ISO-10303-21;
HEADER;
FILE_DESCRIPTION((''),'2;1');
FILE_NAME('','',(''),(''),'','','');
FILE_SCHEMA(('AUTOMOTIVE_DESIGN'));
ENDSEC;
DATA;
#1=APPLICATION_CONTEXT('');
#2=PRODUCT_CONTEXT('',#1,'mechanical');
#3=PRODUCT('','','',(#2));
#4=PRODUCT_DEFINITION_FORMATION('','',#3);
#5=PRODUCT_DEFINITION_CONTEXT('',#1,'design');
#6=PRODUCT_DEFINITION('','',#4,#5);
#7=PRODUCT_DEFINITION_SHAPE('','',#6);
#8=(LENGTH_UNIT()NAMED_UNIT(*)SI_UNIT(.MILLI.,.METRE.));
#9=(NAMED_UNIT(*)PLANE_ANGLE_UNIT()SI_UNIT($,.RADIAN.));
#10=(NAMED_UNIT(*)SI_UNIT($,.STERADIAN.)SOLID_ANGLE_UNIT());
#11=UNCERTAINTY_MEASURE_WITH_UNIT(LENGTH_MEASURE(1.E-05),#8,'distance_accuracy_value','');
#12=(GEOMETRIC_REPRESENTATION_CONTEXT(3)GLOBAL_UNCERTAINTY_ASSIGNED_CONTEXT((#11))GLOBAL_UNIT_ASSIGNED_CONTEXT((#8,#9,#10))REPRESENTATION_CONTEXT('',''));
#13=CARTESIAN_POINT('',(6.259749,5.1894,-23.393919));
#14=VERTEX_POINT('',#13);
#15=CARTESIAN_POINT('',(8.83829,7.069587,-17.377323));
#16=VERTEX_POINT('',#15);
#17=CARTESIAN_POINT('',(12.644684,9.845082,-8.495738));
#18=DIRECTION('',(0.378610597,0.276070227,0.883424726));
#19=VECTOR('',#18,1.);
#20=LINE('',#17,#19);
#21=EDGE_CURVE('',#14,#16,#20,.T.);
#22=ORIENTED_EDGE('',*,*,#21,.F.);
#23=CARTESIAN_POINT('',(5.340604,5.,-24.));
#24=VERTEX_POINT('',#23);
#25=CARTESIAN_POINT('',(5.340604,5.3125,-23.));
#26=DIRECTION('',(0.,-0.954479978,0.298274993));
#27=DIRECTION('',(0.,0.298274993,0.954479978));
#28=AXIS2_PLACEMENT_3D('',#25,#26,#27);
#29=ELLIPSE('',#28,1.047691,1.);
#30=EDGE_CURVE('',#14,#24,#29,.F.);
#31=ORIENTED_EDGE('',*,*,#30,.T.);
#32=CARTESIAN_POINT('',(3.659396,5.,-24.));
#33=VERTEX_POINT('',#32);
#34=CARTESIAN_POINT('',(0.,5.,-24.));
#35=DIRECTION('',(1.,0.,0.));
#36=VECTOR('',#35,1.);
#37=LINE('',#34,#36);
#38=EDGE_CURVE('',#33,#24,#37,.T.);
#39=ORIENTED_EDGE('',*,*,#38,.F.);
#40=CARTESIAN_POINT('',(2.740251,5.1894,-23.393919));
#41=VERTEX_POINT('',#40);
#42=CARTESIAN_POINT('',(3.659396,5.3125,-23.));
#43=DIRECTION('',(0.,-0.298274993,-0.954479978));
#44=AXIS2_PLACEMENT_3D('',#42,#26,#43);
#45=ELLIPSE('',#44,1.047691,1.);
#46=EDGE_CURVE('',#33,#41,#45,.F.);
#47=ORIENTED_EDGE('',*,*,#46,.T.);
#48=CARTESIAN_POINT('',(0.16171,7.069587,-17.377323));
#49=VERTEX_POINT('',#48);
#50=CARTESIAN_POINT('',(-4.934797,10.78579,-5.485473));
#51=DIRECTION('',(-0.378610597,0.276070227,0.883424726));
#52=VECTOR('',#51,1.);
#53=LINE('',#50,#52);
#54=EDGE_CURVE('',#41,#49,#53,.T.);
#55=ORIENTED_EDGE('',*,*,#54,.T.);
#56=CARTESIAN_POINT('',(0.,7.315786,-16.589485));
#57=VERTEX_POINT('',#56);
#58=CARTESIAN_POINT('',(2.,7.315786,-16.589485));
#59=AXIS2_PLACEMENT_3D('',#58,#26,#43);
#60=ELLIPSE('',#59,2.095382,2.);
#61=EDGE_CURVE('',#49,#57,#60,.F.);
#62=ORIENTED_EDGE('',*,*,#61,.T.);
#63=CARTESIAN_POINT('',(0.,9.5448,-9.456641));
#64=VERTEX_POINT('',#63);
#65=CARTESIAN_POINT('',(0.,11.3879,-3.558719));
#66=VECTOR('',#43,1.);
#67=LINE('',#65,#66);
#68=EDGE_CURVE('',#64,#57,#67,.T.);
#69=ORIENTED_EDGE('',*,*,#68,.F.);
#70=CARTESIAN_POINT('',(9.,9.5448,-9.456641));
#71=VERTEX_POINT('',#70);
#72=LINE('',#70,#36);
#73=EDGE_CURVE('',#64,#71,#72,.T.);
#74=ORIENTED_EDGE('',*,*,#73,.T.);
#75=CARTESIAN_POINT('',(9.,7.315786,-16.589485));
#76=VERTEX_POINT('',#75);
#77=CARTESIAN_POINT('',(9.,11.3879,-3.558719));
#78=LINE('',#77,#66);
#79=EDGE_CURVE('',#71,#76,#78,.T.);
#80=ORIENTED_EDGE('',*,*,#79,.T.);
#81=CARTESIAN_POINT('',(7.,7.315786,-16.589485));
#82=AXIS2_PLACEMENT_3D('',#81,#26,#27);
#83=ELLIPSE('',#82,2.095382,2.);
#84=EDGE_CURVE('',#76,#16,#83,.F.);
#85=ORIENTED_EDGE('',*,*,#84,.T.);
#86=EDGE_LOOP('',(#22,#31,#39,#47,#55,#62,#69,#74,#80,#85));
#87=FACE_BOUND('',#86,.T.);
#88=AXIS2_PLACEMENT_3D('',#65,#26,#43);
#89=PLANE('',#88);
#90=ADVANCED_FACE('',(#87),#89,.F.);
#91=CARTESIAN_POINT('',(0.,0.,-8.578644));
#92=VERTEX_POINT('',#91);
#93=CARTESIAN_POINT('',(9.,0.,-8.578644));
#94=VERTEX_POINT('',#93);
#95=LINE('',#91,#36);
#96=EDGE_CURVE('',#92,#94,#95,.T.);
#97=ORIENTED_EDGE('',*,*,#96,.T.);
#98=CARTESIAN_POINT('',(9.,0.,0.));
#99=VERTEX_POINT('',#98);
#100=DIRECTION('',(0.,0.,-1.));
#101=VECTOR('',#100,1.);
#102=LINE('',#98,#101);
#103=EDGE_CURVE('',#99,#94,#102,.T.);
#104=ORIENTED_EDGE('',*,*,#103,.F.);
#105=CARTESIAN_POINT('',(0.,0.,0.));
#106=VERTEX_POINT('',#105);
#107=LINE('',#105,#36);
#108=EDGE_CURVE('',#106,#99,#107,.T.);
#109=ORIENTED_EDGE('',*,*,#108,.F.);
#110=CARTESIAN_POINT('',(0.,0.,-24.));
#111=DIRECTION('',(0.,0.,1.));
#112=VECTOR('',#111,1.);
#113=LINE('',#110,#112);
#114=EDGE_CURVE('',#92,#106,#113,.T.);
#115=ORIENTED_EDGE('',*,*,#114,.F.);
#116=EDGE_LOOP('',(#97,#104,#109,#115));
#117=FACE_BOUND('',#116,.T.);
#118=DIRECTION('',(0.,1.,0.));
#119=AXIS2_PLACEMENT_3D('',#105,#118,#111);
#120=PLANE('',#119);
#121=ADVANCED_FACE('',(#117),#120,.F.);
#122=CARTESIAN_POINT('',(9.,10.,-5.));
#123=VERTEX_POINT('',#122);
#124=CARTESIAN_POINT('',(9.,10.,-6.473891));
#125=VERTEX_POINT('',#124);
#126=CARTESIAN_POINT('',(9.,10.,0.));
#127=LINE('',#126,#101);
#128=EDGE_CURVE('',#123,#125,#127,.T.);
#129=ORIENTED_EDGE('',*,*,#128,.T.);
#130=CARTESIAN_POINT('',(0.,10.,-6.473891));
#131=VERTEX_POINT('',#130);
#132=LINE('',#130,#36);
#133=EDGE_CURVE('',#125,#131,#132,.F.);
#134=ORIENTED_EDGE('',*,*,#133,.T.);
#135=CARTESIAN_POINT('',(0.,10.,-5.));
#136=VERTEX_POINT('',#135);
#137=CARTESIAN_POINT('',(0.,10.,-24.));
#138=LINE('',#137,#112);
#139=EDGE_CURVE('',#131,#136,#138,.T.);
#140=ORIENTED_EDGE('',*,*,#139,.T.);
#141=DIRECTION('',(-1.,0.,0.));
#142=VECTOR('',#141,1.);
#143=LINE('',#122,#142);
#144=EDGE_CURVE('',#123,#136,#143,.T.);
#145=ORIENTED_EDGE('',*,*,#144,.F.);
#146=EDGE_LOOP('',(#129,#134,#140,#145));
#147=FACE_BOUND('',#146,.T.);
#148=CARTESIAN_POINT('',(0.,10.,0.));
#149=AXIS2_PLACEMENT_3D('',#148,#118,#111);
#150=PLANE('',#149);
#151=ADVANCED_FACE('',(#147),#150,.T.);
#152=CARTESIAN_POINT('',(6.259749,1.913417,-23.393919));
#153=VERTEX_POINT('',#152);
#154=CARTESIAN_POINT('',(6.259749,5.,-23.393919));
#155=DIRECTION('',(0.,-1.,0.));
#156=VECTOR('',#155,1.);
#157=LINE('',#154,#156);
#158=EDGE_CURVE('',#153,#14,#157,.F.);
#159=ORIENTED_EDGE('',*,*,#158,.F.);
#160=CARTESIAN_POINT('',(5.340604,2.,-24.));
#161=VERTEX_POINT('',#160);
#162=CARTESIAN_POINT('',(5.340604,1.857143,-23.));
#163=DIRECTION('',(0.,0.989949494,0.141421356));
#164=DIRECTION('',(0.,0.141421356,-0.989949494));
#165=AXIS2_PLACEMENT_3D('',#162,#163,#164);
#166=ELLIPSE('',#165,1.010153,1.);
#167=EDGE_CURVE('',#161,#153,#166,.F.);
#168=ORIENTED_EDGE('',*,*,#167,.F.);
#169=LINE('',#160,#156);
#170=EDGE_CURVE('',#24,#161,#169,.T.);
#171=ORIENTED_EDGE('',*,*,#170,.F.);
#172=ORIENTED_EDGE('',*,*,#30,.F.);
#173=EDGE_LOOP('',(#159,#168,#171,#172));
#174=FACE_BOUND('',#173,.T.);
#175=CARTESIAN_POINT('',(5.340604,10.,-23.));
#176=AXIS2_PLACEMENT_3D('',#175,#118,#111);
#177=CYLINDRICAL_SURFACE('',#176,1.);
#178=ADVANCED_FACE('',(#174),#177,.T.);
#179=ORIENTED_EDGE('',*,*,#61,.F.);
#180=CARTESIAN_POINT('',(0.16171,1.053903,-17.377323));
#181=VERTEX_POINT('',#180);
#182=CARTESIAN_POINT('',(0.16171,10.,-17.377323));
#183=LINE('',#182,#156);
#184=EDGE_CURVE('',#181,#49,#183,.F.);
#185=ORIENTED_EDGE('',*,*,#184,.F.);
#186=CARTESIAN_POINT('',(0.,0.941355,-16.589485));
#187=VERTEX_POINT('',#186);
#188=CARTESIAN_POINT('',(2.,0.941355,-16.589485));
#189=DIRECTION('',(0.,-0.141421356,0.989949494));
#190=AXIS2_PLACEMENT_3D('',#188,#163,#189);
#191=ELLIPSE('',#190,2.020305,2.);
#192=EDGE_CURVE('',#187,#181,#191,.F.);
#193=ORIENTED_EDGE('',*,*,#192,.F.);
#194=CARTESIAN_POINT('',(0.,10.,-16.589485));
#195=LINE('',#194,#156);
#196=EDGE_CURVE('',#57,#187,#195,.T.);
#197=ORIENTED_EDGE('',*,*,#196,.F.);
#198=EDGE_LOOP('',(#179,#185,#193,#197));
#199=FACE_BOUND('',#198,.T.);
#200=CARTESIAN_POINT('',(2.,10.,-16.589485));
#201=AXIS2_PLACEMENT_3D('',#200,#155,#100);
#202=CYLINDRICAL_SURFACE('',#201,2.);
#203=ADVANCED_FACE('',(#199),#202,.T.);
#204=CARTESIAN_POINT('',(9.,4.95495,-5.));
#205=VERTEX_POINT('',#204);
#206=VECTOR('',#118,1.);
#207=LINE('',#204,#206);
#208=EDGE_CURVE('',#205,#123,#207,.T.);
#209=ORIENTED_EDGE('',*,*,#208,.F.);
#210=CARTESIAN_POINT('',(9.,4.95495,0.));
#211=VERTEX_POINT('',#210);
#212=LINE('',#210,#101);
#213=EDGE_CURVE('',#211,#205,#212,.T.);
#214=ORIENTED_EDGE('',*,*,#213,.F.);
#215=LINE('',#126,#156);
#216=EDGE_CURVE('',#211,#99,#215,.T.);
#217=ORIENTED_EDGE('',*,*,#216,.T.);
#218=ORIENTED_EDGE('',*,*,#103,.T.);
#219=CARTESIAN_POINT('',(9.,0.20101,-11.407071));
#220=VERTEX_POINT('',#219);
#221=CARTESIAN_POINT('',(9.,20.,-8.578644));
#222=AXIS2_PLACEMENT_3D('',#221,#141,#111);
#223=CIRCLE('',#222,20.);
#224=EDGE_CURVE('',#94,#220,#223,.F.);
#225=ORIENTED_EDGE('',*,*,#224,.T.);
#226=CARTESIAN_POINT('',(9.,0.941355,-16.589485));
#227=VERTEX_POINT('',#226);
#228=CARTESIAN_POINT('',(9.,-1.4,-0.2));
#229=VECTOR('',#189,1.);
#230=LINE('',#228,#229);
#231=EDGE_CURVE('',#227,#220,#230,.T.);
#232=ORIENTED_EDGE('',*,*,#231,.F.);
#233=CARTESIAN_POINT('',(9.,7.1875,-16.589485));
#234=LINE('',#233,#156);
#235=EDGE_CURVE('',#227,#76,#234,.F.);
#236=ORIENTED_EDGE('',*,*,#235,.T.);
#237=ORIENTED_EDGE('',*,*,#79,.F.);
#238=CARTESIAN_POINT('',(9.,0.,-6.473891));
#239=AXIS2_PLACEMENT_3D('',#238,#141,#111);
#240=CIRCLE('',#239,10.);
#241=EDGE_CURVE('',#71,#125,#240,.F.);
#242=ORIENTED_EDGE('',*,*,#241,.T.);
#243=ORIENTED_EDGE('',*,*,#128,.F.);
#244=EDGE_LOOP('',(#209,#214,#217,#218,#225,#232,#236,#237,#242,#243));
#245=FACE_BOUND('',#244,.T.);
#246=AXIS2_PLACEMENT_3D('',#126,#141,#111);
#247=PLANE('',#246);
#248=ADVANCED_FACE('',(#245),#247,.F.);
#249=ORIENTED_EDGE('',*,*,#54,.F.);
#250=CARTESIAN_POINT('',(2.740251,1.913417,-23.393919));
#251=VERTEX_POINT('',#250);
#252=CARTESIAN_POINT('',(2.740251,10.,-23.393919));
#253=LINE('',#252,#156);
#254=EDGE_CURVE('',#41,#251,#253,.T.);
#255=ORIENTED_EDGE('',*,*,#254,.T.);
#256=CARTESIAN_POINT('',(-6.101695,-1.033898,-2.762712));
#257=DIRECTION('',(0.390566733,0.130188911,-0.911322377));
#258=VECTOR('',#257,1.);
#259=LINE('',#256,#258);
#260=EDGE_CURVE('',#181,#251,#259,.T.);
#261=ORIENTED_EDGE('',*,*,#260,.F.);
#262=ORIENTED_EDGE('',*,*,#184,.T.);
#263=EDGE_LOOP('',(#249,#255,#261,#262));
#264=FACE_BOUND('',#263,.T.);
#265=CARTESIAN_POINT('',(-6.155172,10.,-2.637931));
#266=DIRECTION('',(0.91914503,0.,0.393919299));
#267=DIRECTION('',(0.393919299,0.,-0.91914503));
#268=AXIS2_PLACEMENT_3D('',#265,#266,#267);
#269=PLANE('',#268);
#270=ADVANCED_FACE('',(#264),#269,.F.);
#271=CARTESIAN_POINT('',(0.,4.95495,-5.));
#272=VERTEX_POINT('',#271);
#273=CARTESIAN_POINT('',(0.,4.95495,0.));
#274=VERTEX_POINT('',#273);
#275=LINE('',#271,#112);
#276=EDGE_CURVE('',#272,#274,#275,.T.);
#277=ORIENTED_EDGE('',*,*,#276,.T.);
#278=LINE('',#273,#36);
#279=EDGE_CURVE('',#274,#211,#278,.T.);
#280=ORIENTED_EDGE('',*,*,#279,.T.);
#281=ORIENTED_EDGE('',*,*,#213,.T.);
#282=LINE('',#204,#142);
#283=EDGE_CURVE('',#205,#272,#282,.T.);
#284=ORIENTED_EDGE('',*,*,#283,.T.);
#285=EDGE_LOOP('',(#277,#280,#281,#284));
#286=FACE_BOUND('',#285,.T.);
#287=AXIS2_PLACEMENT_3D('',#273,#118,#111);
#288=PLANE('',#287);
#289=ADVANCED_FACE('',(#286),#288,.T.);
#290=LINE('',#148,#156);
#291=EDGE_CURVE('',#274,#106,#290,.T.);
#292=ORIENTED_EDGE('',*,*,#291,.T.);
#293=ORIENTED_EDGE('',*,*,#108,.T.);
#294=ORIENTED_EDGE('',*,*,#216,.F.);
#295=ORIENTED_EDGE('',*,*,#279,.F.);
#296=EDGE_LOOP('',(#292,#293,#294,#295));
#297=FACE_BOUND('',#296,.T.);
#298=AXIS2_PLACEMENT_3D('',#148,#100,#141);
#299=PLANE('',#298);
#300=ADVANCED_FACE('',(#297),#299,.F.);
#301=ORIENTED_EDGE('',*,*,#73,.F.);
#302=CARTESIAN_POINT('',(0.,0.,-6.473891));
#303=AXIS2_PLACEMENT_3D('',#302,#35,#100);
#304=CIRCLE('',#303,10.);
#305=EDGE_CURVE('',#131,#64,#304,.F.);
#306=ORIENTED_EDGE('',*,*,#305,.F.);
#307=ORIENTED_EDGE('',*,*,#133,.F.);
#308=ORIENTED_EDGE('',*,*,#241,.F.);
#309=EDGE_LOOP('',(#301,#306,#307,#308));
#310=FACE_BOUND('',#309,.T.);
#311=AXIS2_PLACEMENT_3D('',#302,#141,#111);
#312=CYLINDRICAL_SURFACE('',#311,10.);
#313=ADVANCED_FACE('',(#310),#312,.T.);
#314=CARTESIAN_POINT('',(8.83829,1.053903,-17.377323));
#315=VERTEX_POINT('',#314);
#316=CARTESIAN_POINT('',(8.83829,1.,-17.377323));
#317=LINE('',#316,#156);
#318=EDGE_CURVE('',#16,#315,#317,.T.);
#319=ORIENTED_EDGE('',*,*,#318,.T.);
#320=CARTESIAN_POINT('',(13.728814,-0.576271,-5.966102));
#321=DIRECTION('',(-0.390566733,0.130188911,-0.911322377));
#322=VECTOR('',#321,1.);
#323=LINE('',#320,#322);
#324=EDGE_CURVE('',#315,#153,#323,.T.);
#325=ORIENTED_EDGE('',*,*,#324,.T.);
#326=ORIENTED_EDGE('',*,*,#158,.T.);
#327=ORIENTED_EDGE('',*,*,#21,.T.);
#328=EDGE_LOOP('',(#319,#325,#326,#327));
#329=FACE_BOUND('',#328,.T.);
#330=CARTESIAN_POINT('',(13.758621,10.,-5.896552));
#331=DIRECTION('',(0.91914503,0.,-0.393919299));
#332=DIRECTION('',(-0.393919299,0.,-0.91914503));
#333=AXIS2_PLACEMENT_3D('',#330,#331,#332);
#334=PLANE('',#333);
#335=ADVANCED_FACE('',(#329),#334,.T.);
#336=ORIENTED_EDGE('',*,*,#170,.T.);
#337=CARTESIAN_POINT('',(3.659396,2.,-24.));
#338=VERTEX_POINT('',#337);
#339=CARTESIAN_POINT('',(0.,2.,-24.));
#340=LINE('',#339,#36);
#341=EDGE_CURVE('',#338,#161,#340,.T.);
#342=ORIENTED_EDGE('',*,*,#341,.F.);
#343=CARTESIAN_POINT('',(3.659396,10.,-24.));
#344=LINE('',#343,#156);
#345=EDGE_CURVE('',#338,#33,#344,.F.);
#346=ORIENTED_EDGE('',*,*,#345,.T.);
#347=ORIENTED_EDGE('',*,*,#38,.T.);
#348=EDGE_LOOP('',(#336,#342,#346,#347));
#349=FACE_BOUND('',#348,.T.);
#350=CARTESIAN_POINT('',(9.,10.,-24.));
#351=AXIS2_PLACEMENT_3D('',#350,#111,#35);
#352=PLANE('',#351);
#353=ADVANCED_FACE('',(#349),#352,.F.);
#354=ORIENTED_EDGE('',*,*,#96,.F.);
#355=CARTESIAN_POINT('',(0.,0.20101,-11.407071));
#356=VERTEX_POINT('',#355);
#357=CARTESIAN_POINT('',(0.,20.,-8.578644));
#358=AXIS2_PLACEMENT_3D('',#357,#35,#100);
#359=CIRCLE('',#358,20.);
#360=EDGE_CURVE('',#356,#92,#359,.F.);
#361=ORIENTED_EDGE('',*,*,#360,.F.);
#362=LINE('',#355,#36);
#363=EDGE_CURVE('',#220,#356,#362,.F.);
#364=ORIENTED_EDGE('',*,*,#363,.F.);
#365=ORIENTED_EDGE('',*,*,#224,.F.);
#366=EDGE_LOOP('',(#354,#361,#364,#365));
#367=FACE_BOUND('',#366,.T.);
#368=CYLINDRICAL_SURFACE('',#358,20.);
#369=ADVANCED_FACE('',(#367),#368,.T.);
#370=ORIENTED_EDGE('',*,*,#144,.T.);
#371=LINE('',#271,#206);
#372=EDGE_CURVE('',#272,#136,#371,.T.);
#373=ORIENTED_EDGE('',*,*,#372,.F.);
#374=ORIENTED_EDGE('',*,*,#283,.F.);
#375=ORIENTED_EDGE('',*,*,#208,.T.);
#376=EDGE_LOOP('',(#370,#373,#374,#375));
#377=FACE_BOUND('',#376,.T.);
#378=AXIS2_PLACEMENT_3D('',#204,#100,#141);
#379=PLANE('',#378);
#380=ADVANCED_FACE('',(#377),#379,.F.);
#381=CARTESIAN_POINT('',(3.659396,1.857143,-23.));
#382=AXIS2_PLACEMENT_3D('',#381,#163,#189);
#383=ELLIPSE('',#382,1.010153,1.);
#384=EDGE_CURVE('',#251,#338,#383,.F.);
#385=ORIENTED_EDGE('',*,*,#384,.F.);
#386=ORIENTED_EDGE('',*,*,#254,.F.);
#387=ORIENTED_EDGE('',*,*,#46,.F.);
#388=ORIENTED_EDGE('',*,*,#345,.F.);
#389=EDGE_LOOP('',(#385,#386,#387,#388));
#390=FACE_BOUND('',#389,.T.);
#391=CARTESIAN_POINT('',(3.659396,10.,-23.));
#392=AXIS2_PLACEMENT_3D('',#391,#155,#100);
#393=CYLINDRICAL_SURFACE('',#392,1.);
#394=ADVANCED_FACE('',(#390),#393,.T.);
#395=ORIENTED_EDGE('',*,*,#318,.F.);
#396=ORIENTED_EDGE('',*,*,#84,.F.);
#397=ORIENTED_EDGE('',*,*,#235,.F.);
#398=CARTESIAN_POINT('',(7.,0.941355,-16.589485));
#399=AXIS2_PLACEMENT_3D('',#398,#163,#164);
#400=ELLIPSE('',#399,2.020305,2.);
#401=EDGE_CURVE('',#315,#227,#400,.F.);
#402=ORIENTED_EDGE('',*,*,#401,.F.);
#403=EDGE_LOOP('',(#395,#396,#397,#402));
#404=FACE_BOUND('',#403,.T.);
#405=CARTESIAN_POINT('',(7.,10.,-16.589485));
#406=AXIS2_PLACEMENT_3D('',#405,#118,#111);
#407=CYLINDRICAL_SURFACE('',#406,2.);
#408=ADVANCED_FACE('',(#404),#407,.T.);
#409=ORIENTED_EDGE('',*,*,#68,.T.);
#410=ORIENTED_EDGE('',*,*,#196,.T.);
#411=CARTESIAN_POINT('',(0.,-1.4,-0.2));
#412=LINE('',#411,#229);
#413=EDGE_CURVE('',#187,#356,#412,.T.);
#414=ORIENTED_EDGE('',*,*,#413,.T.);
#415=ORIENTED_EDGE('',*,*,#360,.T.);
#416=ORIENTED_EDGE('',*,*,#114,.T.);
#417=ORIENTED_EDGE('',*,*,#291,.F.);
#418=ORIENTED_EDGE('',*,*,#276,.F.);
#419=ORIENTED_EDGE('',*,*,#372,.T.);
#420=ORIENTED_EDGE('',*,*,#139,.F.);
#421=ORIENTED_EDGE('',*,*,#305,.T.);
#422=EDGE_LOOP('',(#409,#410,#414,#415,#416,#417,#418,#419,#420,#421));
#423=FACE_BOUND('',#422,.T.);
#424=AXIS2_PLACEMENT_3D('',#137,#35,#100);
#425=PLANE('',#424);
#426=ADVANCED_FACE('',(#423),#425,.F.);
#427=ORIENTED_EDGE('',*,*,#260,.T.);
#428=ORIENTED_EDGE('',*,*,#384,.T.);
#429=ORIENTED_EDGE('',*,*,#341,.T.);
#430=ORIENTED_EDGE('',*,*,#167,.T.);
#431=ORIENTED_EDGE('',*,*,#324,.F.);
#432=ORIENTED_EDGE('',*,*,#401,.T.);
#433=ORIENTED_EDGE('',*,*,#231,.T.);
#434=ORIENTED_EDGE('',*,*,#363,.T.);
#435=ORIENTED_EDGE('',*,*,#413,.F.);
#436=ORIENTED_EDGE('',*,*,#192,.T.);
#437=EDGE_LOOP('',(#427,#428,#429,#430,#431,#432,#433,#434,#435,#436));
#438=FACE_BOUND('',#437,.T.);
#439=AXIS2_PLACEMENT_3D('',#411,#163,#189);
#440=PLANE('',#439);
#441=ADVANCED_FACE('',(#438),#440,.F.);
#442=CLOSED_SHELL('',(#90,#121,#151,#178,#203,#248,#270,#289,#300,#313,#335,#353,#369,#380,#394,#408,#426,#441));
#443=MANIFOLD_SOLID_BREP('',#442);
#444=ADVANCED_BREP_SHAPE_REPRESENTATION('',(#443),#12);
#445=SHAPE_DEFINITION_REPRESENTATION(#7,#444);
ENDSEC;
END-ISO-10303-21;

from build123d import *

# Parameters (mm, degrees)
SKETCH_1_W          = 9
SKETCH_1_H          = 24
EXTRUDE_1_DEPTH     = 10
SKETCH_2_W          = 9
SKETCH_2_H          = 5
CUT_EXTRUDE_1_DEPTH = 5.04505
CUT_EXTRUDE_2_DEPTH = 10
CUT_EXTRUDE_4_DEPTH = 11
FILLET_1_R          = 20
FILLET_2_R          = 1
FILLET_3_R          = 2
FILLET_4_R          = 10


with BuildPart() as part:
    # ｽｹｯﾁ1 → ﾎﾞｽ - 押し出し1 (new body)
    with BuildSketch(Plane(origin=(0, 0, 0), x_dir=(1, 0, 0), z_dir=(0, 1, 0))):
        with Locations((4.5, 12)):
            Rectangle(SKETCH_1_W, SKETCH_1_H)
    extrude(amount=EXTRUDE_1_DEPTH)

    # ｽｹｯﾁ2 → ｶｯﾄ - 押し出し1 (cut)
    with BuildSketch(Plane(origin=(0, 10, 0), x_dir=(1, 0, 0), z_dir=(0, 1, 0))):
        with Locations((4.5, 2.5)):
            Rectangle(SKETCH_2_W, SKETCH_2_H)
    extrude(amount=-CUT_EXTRUDE_1_DEPTH, mode=Mode.SUBTRACT)

    # ｽｹｯﾁ3 → ｶｯﾄ - 押し出し2 (cut, through all)
    with BuildSketch(Plane(origin=(9, 0, 0), x_dir=(0, 0, -1), z_dir=(1, 0, 0))):
        Polygon((8, 10), (24, 5), (24, 10), align=None)
        Polygon((10, 0), (24, 0), (24, 2), align=None)
    extrude(amount=-CUT_EXTRUDE_2_DEPTH, mode=Mode.SUBTRACT)

    # ｽｹｯﾁ6 → ｶｯﾄ - 押し出し4 (cut, through all)
    with BuildSketch(Plane.XZ):
        Polygon((9, -24), (9, -17), (6, -24), align=None)
        Polygon((3, -24), (0, -17), (0, -24), align=None)
    extrude(amount=-CUT_EXTRUDE_4_DEPTH, mode=Mode.SUBTRACT)

    # ﾌｨﾚｯﾄ1
    fillet_1_edges = [part.edges().sort_by_distance(p)[0] for p in [
        (4.5, 0, -10),
    ]]
    fillet(fillet_1_edges, radius=FILLET_1_R)

    # ﾌｨﾚｯﾄ2
    fillet_2_edges = [part.edges().sort_by_distance(p)[0] for p in [
        (6, 3.5, -24),
        (3, 3.5, -24),
    ]]
    fillet(fillet_2_edges, radius=FILLET_2_R)

    # ﾌｨﾚｯﾄ3
    fillet_3_edges = [part.edges().sort_by_distance(p)[0] for p in [
        (9, 4.09375, -17),
        (0, 4.09375, -17),
    ]]
    fillet(fillet_3_edges, radius=FILLET_3_R)

    # ﾌｨﾚｯﾄ4
    fillet_4_edges = [part.edges().sort_by_distance(p)[0] for p in [
        (4.5, 10, -8),
    ]]
    fillet(fillet_4_edges, radius=FILLET_4_R)


solid = part.part
